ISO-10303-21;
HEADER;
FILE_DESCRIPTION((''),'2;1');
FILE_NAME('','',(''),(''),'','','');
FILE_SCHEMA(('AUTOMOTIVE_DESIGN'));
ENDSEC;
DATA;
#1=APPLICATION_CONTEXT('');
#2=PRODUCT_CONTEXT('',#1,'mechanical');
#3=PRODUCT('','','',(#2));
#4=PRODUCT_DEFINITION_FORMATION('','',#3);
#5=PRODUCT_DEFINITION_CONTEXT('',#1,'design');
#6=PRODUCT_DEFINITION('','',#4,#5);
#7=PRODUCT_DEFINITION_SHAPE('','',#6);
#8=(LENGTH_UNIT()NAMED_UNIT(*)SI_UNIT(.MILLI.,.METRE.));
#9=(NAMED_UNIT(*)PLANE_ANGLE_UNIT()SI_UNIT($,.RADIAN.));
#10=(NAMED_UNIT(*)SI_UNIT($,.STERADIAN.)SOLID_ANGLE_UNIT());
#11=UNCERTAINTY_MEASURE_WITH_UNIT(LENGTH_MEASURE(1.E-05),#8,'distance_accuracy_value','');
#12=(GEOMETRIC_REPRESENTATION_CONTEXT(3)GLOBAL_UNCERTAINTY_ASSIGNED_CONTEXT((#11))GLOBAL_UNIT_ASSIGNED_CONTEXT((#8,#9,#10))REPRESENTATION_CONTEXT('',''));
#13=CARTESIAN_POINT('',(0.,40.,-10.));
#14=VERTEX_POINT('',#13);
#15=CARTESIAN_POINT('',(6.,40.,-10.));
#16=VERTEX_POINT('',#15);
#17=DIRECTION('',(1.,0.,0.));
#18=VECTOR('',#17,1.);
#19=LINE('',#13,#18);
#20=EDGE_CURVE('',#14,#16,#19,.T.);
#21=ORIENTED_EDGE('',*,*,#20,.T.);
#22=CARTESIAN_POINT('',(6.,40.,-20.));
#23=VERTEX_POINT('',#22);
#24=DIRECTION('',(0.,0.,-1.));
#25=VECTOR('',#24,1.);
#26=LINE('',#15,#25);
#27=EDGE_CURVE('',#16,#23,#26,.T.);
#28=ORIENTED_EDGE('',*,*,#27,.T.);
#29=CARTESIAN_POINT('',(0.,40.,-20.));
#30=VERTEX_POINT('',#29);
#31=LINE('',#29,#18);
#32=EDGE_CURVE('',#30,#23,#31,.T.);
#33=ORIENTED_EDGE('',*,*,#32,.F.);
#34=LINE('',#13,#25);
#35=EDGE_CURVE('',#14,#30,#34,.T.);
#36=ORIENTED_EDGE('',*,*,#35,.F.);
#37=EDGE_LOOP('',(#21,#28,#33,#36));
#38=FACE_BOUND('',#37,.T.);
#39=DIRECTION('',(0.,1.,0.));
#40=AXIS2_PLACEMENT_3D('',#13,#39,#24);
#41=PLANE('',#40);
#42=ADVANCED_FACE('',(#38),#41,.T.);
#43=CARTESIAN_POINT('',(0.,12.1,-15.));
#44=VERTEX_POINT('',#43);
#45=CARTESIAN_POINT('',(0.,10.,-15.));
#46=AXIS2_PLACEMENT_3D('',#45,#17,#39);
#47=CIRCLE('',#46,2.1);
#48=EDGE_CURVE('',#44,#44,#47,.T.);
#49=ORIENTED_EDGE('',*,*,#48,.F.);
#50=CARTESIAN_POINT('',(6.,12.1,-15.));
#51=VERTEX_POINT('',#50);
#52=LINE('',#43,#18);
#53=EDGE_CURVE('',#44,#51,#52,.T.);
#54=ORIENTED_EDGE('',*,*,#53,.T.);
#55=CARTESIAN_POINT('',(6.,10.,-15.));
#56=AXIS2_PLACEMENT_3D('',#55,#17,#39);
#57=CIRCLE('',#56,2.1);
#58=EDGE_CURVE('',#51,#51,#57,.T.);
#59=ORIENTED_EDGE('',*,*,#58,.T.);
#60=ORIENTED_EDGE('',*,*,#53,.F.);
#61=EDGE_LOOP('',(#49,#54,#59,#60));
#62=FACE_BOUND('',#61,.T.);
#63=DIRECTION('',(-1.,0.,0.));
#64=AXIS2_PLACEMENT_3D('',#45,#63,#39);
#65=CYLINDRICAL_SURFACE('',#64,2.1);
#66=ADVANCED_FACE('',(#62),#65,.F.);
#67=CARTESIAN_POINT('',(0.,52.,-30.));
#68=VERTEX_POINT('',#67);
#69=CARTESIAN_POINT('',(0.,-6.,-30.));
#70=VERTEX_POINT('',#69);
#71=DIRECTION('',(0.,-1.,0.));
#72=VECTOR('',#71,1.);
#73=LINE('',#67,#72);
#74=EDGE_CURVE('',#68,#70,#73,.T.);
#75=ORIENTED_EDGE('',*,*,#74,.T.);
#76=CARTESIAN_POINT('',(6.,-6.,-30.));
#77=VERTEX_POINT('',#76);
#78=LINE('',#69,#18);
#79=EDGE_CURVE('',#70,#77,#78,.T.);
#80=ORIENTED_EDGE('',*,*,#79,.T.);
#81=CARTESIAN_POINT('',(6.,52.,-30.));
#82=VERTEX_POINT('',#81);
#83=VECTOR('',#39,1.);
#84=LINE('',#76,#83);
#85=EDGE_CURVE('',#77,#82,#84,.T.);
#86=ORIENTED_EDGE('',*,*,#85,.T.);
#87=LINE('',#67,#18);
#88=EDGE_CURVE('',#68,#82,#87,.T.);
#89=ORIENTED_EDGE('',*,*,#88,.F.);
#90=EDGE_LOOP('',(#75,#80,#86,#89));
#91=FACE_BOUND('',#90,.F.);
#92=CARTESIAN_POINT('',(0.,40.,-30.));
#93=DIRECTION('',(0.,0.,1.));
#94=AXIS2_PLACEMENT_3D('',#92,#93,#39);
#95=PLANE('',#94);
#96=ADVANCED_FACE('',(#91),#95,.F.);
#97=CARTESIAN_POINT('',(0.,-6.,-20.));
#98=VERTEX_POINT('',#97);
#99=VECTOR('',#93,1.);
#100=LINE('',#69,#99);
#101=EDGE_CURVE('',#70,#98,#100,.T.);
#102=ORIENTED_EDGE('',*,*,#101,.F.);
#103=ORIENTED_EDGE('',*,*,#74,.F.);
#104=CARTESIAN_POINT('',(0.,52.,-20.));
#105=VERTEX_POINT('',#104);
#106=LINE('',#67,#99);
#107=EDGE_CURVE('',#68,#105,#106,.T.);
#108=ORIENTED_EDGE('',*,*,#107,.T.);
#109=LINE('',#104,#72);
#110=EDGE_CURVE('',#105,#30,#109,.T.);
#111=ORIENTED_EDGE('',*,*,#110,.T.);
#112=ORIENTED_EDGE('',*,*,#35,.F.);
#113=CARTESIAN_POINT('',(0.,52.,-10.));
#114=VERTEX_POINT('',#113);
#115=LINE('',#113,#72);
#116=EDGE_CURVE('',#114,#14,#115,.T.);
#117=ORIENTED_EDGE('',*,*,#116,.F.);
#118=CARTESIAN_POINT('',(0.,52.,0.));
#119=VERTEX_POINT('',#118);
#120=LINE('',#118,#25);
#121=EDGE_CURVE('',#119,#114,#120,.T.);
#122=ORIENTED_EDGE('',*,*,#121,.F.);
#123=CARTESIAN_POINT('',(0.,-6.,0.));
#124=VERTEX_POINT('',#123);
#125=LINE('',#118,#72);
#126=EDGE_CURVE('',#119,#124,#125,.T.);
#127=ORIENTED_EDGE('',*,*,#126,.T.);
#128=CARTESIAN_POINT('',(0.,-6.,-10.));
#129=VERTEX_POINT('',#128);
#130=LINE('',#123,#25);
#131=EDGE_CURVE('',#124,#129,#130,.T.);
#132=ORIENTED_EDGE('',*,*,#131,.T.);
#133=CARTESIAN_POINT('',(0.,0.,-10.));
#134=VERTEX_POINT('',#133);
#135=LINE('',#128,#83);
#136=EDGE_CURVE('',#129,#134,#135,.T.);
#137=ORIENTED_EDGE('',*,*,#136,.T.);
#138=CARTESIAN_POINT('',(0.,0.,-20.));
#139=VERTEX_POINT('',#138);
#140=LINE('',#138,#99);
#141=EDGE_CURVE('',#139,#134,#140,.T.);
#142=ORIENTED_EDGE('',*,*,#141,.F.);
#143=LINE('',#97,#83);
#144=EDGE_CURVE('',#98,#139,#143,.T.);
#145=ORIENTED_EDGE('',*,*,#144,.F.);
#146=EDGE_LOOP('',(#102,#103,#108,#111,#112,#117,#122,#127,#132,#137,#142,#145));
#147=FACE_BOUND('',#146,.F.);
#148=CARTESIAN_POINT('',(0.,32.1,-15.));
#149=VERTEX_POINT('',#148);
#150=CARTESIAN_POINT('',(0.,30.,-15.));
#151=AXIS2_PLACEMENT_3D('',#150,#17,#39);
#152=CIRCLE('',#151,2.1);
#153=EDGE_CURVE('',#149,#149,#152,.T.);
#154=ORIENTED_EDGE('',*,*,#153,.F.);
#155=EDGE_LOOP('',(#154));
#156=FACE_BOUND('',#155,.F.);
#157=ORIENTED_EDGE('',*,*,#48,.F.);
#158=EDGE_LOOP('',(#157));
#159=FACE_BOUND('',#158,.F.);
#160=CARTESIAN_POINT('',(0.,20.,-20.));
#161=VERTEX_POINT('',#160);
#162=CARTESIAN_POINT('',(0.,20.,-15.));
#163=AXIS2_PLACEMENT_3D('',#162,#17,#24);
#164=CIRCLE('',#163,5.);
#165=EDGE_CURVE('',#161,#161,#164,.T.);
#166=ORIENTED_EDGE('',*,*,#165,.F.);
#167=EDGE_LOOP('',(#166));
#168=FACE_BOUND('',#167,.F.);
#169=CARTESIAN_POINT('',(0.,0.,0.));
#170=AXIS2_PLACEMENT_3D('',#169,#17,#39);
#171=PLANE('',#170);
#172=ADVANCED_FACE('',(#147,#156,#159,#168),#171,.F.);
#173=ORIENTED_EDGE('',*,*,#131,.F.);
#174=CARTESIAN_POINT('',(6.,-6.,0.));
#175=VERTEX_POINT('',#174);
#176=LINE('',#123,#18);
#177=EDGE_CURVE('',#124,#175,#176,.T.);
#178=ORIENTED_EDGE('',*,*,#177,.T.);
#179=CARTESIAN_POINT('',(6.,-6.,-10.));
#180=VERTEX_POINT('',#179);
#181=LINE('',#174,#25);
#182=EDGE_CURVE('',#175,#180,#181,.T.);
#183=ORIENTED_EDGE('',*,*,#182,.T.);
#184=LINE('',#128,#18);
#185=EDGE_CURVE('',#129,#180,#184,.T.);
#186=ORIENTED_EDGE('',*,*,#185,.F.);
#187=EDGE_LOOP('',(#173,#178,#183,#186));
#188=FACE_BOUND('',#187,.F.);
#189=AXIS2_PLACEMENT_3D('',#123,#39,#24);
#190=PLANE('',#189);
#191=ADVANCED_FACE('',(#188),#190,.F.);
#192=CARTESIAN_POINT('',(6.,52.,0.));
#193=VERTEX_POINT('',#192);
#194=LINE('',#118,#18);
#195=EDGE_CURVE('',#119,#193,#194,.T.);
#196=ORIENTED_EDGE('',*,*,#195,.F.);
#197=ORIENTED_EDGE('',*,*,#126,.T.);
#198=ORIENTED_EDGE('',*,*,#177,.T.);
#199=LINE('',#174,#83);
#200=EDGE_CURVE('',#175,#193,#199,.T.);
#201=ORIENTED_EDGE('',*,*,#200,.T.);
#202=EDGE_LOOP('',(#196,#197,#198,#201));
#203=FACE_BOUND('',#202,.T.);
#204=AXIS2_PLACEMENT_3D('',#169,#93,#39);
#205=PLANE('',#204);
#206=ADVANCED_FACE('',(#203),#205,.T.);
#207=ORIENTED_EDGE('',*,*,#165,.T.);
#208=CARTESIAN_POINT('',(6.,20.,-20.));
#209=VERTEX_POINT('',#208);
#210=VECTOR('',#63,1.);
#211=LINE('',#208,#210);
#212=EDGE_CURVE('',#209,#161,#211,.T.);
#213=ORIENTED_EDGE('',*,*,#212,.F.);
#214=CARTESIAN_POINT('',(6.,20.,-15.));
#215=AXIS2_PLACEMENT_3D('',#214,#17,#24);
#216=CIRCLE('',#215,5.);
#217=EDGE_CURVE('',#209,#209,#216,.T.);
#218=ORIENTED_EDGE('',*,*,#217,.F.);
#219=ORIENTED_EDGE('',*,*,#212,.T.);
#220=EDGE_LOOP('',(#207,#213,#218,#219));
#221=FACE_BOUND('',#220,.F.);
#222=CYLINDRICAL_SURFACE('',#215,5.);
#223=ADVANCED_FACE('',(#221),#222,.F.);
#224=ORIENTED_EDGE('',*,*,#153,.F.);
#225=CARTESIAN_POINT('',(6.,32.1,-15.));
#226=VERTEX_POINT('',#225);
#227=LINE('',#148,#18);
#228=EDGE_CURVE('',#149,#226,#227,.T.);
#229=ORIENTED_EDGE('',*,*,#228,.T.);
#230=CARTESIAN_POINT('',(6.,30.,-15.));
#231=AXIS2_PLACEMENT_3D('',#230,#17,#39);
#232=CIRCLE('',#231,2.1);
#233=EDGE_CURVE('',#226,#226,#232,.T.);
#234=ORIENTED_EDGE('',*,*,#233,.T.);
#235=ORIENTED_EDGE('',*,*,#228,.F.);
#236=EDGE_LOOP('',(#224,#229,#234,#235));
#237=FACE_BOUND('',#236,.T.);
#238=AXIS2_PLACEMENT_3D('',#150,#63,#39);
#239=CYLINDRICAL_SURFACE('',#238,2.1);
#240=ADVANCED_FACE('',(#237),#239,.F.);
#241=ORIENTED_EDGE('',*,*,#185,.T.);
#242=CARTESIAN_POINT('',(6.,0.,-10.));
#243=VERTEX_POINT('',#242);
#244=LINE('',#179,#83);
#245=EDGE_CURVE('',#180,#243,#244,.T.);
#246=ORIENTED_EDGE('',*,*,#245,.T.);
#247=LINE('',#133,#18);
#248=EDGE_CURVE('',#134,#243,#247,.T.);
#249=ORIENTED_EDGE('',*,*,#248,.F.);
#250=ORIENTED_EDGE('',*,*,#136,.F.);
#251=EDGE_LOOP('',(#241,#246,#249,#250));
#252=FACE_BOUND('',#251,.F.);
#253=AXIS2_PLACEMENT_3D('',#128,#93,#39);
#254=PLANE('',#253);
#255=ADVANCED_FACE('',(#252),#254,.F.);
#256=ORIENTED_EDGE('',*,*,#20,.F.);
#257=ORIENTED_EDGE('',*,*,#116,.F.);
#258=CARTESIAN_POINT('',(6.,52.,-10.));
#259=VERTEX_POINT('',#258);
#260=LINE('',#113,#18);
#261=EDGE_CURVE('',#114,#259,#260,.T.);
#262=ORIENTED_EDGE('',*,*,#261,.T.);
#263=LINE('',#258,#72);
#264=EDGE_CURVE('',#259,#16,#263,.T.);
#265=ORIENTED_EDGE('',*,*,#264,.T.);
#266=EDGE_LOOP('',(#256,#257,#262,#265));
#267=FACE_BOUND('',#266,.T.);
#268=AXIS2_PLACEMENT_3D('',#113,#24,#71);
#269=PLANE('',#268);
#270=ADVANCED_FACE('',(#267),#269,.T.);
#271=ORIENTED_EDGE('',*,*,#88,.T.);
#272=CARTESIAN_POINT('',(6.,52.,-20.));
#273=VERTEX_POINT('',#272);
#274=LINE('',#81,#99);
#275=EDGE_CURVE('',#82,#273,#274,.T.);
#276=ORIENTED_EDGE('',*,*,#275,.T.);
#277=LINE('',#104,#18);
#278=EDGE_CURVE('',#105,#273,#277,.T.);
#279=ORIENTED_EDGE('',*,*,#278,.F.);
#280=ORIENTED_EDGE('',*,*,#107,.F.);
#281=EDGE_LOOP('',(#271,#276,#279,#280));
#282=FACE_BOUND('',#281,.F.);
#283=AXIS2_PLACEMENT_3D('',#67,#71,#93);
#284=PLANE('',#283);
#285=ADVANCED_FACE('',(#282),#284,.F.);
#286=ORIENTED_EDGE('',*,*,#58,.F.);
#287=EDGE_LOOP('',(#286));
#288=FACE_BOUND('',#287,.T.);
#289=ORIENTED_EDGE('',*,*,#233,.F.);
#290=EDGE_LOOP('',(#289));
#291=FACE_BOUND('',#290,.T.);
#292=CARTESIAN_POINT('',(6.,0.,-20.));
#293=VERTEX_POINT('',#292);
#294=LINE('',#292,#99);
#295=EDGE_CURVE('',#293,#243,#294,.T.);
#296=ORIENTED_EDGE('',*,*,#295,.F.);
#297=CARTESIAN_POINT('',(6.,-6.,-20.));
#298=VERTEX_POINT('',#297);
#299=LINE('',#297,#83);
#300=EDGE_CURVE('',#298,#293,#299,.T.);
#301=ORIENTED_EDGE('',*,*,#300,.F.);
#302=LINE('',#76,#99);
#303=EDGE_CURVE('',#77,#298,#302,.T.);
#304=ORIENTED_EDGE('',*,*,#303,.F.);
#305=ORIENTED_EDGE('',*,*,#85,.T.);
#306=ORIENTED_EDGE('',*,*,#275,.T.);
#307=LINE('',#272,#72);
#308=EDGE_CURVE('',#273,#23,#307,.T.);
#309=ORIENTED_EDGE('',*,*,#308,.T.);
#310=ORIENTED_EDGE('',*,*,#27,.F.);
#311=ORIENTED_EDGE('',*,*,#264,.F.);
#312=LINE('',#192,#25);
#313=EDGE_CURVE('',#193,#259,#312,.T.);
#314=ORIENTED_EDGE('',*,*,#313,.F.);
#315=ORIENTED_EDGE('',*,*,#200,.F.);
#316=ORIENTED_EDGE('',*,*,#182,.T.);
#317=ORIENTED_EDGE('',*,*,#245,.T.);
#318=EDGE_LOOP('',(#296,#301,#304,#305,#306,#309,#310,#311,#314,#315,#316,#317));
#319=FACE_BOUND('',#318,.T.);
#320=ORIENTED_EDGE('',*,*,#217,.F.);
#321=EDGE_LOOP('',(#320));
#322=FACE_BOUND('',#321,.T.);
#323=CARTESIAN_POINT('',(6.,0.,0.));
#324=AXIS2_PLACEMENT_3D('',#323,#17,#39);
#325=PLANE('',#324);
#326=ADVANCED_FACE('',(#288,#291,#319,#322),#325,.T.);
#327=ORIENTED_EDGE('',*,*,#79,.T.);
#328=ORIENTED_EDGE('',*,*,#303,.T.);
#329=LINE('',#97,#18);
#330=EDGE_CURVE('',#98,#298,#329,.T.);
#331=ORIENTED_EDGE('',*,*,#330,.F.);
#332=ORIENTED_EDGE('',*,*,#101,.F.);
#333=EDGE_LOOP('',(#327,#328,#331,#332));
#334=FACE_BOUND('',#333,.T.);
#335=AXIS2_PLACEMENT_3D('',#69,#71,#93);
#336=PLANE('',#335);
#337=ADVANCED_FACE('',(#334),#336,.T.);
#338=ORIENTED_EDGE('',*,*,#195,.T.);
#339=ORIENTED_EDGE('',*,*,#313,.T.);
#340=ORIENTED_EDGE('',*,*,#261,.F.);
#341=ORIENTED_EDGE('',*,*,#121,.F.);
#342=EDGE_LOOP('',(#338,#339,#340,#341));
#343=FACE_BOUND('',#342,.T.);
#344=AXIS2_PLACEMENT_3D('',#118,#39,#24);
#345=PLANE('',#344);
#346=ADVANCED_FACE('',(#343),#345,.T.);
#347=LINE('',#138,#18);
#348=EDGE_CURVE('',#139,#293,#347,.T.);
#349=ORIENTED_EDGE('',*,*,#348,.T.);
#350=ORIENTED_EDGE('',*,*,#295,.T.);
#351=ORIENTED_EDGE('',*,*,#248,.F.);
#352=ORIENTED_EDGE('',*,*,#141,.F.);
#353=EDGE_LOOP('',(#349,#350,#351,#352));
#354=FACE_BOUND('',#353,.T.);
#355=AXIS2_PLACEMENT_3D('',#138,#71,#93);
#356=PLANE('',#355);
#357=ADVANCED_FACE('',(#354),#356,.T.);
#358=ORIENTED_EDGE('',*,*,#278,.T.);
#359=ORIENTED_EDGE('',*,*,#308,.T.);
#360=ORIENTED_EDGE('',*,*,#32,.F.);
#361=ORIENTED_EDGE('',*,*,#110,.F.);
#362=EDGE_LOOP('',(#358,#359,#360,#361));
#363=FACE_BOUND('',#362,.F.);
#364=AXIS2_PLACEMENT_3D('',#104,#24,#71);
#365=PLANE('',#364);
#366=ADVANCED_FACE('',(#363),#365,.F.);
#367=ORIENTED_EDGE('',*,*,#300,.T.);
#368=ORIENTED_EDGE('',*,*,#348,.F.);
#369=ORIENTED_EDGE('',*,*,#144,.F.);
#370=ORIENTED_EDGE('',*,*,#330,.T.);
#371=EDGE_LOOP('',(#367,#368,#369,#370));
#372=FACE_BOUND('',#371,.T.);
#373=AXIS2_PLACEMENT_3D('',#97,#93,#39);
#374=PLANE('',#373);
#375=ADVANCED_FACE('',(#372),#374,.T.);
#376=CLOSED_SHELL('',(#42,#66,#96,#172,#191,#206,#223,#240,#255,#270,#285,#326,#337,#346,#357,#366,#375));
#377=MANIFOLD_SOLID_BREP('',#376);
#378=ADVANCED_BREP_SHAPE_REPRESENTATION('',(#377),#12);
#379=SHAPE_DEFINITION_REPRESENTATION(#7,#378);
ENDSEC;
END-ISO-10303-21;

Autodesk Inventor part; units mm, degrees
ref_plane "YZ Plane" through (0, 0, 0) normal (1, 0, 0) x (0, 1, 0)
ref_plane "XZ Plane" through (0, 0, 0) normal (0, 1, 0) x (-1, 0, 0)
ref_plane "XY Plane" through (0, 0, 0) normal (0, 0, 1) x (1, 0, 0)
sketch "Sketch1" plane through (0, 0, 0) normal (1, 0, 0) x (0, 1, 0)
  line L0 (0, 0) -> (40, 0)
  line L1 (40, -10) -> (40, -20)
  line L2 (40, -30) -> (0, -30)
  line L3 (0, -20) -> (0, -10)
  line L4 (40, 0) -> (52, 0)
  line L5 (52, 0) -> (52, -10)
  line L6 (52, -10) -> (40, -10)
  line L7 (40, -30) -> (52, -30)
  line L8 (52, -30) -> (52, -20)
  line L9 (52, -20) -> (40, -20)
  line L10 (0, 0) -> (-6, 0)
  line L11 (-6, 0) -> (-6, -10)
  line L12 (-6, -10) -> (0, -10)
  line L13 (0, -30) -> (-6, -30)
  line L14 (-6, -30) -> (-6, -20)
  line L15 (-6, -20) -> (0, -20)
  circle A0 centre (10, -15) radius 2.1
  circle A1 centre (30, -15) radius 2.1
  circle A2 centre (20, -15) radius 5
  dimension "d0" = 40
  dimension "d1" = 30
  dimension "d2" = 12
  dimension "d3" = 10
  dimension "d4" = 12
  dimension "d5" = 10
  dimension "d6" = 6
  dimension "d7" = 10
  dimension "d8" = 6
  dimension "d9" = 10
  dimension "d12" = 4.2
  dimension "d13" = 4.2
  dimension "d17" = 10
extrude "Extrusion1" add sketch "Sketch1" along normal blind 6 contours L0 L4 L5 L6 L1 L9 L8 L7 L2 L13 L14 L15 L3 L12 L11 L10 | A2
sketch "Sketch2" plane through (6, 0, 0) normal (1, 0, 0) x (0, 0, -1)
  circle A0 centre (15, 30) radius 2.1 projected
  circle A1 centre (15, 20) radius 5
  point P0 (0, 0)
  dimension "d19" = 10
extrude "Extrusion2" cut sketch "Sketch2" against normal blind 6 contours A1
properties part number "e_support 2"
